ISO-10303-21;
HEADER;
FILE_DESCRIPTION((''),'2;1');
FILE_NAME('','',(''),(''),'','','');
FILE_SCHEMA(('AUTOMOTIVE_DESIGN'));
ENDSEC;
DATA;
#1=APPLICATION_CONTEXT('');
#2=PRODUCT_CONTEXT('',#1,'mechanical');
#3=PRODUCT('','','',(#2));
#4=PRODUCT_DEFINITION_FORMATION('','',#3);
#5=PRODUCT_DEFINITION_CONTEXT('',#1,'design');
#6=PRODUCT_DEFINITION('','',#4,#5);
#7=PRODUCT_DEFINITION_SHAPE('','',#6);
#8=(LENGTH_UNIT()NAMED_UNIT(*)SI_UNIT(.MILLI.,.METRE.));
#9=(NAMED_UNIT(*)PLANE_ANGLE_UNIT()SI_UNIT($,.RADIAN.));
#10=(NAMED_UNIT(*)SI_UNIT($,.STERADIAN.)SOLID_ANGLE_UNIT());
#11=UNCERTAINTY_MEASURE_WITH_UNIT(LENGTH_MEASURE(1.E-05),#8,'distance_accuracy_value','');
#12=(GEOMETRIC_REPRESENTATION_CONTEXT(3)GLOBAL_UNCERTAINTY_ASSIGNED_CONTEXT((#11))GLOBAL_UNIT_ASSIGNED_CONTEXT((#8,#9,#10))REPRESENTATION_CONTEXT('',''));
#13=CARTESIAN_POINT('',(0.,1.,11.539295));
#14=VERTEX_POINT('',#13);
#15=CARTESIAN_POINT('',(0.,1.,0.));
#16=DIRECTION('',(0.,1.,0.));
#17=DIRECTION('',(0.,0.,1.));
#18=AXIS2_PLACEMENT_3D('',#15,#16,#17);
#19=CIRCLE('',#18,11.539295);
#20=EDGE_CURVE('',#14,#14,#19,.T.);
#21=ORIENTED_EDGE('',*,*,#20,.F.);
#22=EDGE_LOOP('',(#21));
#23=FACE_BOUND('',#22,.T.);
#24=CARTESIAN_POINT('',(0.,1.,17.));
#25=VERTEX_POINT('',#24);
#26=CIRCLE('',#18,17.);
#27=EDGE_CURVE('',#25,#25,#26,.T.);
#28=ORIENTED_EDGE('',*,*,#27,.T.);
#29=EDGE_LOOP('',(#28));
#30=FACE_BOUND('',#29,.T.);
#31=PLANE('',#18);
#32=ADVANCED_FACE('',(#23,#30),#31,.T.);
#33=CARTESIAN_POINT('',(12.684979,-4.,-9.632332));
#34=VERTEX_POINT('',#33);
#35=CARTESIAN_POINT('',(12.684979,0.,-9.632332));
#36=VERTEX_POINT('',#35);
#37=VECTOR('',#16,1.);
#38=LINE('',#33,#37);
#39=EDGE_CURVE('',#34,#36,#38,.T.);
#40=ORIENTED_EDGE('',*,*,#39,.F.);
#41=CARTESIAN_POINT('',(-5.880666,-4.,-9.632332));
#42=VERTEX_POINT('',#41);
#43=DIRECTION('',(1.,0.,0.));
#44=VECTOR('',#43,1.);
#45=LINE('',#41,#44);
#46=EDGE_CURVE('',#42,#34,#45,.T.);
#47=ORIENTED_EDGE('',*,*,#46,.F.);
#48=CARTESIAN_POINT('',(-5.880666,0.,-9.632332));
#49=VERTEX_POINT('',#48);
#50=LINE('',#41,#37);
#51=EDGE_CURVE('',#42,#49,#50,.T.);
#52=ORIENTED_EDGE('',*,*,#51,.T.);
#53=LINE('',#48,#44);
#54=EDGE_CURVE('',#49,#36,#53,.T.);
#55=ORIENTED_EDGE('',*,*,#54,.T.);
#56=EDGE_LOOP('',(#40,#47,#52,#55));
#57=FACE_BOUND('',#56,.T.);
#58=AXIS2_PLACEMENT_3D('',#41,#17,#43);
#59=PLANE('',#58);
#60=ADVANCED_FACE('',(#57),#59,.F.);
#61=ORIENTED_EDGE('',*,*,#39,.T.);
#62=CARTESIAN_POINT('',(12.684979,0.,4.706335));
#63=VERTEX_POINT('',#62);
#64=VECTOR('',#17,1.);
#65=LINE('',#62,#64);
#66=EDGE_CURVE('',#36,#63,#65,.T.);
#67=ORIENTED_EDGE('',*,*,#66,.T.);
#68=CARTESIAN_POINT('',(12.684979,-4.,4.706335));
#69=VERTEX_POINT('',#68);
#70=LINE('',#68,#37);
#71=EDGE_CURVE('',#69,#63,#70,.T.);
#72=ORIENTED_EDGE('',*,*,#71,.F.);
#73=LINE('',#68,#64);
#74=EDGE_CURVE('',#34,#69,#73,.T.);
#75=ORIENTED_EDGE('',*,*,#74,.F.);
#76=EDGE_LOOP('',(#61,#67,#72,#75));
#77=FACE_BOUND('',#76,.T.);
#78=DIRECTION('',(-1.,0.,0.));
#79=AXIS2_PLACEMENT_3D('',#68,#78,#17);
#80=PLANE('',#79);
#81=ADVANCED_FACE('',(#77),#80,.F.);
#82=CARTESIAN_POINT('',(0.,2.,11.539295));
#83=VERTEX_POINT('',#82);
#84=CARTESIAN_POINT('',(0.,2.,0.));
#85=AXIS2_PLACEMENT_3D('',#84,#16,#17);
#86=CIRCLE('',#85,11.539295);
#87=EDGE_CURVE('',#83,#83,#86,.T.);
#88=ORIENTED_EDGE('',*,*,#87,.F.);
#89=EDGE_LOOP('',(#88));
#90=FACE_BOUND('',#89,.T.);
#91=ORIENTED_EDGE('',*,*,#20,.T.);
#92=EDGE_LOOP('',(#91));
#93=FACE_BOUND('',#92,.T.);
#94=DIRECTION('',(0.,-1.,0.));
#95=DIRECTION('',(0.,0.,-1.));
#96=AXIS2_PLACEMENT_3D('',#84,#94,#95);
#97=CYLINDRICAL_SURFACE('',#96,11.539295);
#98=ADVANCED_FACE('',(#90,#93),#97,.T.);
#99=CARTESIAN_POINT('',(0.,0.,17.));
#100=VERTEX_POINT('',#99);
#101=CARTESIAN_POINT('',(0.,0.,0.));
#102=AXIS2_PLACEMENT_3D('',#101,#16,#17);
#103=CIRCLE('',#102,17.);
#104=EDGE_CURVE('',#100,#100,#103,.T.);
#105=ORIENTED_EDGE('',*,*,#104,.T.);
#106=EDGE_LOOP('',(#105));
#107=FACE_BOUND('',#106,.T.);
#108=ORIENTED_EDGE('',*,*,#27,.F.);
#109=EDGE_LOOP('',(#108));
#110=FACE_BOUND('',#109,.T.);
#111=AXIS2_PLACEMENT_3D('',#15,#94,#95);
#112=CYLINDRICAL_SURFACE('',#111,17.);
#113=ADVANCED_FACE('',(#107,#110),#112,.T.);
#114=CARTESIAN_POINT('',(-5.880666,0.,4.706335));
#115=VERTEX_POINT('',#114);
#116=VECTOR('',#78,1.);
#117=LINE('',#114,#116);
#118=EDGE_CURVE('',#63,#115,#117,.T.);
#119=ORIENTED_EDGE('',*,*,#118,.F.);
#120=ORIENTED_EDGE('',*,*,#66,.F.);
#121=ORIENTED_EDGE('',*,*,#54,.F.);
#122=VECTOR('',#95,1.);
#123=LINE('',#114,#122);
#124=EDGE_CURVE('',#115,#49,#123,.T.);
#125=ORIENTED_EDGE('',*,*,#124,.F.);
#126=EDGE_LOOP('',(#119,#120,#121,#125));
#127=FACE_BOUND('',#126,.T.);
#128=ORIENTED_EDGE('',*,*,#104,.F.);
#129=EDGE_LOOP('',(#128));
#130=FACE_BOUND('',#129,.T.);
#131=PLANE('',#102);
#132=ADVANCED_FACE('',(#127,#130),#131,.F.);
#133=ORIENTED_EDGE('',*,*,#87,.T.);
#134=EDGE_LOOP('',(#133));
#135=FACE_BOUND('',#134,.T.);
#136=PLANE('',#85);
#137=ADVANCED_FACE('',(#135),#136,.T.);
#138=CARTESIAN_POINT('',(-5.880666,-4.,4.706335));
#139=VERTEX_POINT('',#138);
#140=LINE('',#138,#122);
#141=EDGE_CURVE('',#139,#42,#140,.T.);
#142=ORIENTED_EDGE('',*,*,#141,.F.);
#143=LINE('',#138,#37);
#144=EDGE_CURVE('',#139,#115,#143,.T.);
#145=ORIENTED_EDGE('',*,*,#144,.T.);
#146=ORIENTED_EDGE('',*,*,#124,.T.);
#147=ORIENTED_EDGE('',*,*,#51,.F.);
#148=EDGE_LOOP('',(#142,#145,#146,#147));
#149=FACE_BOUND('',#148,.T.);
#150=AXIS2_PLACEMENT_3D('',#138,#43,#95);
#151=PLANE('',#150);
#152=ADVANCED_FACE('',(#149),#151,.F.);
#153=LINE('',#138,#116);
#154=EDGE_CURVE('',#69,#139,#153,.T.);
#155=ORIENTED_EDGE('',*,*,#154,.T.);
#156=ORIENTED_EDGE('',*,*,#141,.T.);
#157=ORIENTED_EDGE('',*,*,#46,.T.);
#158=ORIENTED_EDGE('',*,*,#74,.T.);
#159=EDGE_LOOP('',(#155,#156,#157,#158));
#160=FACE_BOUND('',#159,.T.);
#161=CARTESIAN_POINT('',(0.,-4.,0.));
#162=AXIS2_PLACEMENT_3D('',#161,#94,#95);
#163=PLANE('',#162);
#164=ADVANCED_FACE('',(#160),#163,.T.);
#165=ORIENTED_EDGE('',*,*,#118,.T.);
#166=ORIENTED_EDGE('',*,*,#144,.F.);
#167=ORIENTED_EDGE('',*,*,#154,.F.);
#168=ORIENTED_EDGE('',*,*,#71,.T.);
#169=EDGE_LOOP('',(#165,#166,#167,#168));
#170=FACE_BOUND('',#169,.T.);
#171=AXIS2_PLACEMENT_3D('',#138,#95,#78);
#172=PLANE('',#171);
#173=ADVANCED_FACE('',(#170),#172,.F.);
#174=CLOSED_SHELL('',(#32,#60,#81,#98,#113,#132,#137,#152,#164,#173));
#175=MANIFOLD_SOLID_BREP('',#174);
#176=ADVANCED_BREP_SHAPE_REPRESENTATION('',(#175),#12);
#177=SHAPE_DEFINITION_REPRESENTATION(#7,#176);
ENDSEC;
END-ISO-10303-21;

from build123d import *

# Parameters (mm, degrees)
SKETCH1_R           = 17
BOSS_EXTRUDE1_DEPTH = 1
SKETCH2_W           = 18.565645136
SKETCH2_H           = 14.338667356
BOSS_EXTRUDE2_DEPTH = 4
SKETCH3_R           = 11.539294854
BOSS_EXTRUDE3_DEPTH = 1


with BuildPart() as part:
    # Sketch1 → Boss-Extrude1 (new body)
    with BuildSketch(Plane(origin=(0, 0, 0), x_dir=(1, 0, 0), z_dir=(0, 1, 0))):
        with Locations(Location((0, 0, 0), (0, 0, 270))):
            Circle(SKETCH1_R)
    extrude(amount=BOSS_EXTRUDE1_DEPTH)

    # Sketch2 → Boss-Extrude2 (add)
    with BuildSketch(Plane.XZ):
        with Locations((3.402156218, -2.462998516)):
            Rectangle(SKETCH2_W, SKETCH2_H)
    extrude(amount=BOSS_EXTRUDE2_DEPTH)

    # Sketch3 → Boss-Extrude3 (add)
    with BuildSketch(Plane(origin=(0, 1, 0), x_dir=(1, 0, 0), z_dir=(0, 1, 0))):
        with Locations(Location((0, 0, 0), (0, 0, 270))):
            Circle(SKETCH3_R)
    extrude(amount=BOSS_EXTRUDE3_DEPTH)


solid = part.part
